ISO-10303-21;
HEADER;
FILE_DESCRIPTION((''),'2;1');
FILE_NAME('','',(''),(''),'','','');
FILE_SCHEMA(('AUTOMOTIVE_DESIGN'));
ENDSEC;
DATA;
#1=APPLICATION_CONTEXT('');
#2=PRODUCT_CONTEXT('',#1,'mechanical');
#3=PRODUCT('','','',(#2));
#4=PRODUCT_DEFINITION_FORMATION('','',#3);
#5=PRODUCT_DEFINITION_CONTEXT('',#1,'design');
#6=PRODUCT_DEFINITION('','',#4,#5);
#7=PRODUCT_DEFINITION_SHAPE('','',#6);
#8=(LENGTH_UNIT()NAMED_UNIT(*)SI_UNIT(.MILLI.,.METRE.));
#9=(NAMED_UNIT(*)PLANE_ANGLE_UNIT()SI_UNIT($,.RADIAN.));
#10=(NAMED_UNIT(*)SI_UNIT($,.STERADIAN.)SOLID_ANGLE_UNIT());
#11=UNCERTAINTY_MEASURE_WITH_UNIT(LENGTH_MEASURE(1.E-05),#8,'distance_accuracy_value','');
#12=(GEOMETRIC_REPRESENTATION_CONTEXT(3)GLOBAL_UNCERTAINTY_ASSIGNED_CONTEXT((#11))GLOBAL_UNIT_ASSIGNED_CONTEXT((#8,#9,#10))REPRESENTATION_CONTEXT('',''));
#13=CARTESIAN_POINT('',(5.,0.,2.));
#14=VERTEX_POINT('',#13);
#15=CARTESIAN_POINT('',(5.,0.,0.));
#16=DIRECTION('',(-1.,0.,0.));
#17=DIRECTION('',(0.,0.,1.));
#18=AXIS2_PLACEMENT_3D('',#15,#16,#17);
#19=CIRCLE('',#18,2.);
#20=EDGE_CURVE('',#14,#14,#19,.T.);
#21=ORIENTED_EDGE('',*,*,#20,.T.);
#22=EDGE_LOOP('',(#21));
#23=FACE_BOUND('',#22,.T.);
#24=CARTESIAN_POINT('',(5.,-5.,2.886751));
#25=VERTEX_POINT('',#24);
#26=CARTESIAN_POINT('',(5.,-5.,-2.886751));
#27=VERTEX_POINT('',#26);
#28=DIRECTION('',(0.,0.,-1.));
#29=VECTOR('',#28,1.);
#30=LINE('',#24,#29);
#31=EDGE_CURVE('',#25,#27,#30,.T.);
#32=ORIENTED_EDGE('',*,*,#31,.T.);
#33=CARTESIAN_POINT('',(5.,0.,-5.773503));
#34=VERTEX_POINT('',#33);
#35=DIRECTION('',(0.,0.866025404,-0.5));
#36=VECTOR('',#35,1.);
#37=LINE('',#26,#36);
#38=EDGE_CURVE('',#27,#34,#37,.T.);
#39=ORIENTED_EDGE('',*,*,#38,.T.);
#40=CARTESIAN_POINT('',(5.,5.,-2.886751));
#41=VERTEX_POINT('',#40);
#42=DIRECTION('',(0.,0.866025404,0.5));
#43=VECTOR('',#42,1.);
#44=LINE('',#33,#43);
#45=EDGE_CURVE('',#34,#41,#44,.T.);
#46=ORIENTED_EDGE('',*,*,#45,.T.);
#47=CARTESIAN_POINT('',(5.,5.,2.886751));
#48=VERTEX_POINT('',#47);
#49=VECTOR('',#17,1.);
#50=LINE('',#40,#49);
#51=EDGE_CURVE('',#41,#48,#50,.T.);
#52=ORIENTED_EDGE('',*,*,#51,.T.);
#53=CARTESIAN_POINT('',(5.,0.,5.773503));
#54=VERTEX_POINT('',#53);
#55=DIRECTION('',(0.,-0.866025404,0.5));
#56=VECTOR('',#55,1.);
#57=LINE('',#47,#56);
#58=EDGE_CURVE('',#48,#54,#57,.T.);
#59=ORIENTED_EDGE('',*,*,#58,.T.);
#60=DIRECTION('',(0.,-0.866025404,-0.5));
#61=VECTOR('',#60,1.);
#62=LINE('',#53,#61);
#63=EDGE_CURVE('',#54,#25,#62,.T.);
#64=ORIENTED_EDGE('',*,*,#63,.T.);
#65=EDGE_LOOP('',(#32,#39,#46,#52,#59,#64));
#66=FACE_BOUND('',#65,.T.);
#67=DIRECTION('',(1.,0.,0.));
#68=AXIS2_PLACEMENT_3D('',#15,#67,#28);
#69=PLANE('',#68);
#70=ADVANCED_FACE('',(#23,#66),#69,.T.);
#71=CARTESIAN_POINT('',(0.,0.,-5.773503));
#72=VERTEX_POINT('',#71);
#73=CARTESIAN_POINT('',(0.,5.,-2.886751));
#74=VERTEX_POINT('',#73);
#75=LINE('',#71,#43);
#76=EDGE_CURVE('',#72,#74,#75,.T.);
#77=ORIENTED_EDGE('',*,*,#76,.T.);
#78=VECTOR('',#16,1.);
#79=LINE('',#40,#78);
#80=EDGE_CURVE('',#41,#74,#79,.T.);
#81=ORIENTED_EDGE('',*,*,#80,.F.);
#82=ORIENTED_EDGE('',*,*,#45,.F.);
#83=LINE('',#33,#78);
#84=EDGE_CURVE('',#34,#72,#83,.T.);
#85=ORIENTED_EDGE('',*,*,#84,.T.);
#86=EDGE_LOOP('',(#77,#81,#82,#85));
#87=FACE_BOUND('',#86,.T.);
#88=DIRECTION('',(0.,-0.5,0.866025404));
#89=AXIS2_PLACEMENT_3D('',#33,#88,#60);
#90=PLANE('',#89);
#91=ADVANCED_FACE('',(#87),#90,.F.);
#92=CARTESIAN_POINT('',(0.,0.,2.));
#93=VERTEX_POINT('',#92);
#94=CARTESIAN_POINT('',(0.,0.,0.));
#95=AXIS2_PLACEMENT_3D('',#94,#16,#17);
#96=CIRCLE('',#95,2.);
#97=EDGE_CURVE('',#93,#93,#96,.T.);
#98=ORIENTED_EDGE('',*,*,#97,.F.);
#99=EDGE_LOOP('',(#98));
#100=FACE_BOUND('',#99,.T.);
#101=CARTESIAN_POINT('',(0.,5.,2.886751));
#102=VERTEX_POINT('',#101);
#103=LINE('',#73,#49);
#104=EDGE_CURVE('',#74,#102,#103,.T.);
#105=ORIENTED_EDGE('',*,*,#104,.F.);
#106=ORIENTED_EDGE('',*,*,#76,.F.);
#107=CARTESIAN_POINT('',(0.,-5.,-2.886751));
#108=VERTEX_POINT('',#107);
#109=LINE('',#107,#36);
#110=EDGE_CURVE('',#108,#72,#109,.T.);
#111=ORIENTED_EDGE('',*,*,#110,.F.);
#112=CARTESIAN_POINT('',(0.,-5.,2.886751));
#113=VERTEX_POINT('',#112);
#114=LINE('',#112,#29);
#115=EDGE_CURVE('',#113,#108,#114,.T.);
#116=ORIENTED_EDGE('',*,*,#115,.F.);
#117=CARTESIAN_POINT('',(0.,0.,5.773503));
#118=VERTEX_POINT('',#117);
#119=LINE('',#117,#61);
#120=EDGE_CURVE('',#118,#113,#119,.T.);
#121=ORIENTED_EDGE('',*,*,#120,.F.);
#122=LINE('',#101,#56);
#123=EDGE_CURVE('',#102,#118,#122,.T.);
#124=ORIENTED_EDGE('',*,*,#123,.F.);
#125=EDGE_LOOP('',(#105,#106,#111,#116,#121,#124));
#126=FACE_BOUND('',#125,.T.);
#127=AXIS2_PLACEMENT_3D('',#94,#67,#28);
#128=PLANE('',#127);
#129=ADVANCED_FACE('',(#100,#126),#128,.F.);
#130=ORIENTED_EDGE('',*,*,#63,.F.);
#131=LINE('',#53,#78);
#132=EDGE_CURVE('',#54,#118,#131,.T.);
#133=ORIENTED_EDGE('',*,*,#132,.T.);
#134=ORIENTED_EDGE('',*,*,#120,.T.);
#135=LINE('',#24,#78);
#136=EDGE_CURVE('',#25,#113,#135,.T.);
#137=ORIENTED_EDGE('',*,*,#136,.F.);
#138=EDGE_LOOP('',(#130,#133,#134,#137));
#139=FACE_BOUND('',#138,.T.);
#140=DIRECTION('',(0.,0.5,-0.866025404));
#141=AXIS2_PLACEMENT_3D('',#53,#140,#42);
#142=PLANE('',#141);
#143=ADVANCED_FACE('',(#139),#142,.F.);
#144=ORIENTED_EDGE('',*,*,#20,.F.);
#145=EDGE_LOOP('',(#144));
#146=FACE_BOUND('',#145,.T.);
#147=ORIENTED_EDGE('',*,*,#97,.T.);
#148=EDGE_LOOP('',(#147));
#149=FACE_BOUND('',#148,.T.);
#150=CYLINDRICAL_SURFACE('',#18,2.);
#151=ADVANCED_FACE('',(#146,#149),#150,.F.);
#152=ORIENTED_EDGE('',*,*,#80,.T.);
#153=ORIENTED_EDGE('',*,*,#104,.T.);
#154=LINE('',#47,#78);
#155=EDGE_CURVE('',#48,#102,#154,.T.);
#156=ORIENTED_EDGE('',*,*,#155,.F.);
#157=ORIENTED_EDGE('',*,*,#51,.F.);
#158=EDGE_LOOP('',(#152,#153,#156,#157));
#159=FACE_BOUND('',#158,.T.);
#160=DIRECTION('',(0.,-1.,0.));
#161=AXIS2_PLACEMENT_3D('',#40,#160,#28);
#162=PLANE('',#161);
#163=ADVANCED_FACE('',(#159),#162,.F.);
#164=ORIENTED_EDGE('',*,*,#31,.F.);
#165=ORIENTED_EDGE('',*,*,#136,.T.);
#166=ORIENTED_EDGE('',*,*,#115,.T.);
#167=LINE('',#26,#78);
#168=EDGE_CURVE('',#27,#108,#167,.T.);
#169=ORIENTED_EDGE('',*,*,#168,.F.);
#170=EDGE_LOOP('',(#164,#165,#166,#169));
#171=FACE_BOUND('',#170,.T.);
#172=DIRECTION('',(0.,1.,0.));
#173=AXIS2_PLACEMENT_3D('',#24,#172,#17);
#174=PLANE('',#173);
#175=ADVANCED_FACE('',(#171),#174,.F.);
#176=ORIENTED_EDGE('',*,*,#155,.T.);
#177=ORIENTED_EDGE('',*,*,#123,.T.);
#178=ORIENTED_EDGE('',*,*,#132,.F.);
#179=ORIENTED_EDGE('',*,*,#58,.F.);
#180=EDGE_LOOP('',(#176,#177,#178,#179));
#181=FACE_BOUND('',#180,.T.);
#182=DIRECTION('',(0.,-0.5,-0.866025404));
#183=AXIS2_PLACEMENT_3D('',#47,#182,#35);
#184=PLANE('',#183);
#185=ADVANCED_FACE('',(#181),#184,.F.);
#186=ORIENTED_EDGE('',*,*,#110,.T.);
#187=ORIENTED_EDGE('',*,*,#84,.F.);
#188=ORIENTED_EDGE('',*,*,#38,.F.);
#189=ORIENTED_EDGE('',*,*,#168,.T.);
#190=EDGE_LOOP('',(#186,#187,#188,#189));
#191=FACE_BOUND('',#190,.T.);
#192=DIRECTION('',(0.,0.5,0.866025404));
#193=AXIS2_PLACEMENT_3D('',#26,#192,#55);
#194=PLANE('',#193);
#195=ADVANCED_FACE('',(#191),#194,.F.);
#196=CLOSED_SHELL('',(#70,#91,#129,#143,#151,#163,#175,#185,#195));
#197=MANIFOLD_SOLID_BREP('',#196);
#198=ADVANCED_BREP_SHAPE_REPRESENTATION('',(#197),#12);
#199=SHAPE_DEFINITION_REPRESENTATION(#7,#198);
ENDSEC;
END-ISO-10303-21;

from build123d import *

# Parameters (mm, degrees)
BOSS_EXTRUDE1_DEPTH = 5
SKETCH4_R           = 2
CUT_EXTRUDE1_DEPTH  = 10.128709292


with BuildPart() as part:
    # Sketch1 → Boss-Extrude1 (new body)
    with BuildSketch(Plane(origin=(0, 0, 0), x_dir=(0, 0, -1), z_dir=(1, 0, 0))):
        Polygon((5.773502692, 0), (2.886751346, 5), (-2.886751346, 5), (-5.773502692, 0), (-2.886751346, -5), (2.886751346, -5), align=None)
    extrude(amount=BOSS_EXTRUDE1_DEPTH)

    # Sketch4 → Cut-Extrude1 (cut, through all)
    with BuildSketch(Plane.ZY):
        Circle(SKETCH4_R)
    extrude(amount=-CUT_EXTRUDE1_DEPTH, mode=Mode.SUBTRACT)


solid = part.part
